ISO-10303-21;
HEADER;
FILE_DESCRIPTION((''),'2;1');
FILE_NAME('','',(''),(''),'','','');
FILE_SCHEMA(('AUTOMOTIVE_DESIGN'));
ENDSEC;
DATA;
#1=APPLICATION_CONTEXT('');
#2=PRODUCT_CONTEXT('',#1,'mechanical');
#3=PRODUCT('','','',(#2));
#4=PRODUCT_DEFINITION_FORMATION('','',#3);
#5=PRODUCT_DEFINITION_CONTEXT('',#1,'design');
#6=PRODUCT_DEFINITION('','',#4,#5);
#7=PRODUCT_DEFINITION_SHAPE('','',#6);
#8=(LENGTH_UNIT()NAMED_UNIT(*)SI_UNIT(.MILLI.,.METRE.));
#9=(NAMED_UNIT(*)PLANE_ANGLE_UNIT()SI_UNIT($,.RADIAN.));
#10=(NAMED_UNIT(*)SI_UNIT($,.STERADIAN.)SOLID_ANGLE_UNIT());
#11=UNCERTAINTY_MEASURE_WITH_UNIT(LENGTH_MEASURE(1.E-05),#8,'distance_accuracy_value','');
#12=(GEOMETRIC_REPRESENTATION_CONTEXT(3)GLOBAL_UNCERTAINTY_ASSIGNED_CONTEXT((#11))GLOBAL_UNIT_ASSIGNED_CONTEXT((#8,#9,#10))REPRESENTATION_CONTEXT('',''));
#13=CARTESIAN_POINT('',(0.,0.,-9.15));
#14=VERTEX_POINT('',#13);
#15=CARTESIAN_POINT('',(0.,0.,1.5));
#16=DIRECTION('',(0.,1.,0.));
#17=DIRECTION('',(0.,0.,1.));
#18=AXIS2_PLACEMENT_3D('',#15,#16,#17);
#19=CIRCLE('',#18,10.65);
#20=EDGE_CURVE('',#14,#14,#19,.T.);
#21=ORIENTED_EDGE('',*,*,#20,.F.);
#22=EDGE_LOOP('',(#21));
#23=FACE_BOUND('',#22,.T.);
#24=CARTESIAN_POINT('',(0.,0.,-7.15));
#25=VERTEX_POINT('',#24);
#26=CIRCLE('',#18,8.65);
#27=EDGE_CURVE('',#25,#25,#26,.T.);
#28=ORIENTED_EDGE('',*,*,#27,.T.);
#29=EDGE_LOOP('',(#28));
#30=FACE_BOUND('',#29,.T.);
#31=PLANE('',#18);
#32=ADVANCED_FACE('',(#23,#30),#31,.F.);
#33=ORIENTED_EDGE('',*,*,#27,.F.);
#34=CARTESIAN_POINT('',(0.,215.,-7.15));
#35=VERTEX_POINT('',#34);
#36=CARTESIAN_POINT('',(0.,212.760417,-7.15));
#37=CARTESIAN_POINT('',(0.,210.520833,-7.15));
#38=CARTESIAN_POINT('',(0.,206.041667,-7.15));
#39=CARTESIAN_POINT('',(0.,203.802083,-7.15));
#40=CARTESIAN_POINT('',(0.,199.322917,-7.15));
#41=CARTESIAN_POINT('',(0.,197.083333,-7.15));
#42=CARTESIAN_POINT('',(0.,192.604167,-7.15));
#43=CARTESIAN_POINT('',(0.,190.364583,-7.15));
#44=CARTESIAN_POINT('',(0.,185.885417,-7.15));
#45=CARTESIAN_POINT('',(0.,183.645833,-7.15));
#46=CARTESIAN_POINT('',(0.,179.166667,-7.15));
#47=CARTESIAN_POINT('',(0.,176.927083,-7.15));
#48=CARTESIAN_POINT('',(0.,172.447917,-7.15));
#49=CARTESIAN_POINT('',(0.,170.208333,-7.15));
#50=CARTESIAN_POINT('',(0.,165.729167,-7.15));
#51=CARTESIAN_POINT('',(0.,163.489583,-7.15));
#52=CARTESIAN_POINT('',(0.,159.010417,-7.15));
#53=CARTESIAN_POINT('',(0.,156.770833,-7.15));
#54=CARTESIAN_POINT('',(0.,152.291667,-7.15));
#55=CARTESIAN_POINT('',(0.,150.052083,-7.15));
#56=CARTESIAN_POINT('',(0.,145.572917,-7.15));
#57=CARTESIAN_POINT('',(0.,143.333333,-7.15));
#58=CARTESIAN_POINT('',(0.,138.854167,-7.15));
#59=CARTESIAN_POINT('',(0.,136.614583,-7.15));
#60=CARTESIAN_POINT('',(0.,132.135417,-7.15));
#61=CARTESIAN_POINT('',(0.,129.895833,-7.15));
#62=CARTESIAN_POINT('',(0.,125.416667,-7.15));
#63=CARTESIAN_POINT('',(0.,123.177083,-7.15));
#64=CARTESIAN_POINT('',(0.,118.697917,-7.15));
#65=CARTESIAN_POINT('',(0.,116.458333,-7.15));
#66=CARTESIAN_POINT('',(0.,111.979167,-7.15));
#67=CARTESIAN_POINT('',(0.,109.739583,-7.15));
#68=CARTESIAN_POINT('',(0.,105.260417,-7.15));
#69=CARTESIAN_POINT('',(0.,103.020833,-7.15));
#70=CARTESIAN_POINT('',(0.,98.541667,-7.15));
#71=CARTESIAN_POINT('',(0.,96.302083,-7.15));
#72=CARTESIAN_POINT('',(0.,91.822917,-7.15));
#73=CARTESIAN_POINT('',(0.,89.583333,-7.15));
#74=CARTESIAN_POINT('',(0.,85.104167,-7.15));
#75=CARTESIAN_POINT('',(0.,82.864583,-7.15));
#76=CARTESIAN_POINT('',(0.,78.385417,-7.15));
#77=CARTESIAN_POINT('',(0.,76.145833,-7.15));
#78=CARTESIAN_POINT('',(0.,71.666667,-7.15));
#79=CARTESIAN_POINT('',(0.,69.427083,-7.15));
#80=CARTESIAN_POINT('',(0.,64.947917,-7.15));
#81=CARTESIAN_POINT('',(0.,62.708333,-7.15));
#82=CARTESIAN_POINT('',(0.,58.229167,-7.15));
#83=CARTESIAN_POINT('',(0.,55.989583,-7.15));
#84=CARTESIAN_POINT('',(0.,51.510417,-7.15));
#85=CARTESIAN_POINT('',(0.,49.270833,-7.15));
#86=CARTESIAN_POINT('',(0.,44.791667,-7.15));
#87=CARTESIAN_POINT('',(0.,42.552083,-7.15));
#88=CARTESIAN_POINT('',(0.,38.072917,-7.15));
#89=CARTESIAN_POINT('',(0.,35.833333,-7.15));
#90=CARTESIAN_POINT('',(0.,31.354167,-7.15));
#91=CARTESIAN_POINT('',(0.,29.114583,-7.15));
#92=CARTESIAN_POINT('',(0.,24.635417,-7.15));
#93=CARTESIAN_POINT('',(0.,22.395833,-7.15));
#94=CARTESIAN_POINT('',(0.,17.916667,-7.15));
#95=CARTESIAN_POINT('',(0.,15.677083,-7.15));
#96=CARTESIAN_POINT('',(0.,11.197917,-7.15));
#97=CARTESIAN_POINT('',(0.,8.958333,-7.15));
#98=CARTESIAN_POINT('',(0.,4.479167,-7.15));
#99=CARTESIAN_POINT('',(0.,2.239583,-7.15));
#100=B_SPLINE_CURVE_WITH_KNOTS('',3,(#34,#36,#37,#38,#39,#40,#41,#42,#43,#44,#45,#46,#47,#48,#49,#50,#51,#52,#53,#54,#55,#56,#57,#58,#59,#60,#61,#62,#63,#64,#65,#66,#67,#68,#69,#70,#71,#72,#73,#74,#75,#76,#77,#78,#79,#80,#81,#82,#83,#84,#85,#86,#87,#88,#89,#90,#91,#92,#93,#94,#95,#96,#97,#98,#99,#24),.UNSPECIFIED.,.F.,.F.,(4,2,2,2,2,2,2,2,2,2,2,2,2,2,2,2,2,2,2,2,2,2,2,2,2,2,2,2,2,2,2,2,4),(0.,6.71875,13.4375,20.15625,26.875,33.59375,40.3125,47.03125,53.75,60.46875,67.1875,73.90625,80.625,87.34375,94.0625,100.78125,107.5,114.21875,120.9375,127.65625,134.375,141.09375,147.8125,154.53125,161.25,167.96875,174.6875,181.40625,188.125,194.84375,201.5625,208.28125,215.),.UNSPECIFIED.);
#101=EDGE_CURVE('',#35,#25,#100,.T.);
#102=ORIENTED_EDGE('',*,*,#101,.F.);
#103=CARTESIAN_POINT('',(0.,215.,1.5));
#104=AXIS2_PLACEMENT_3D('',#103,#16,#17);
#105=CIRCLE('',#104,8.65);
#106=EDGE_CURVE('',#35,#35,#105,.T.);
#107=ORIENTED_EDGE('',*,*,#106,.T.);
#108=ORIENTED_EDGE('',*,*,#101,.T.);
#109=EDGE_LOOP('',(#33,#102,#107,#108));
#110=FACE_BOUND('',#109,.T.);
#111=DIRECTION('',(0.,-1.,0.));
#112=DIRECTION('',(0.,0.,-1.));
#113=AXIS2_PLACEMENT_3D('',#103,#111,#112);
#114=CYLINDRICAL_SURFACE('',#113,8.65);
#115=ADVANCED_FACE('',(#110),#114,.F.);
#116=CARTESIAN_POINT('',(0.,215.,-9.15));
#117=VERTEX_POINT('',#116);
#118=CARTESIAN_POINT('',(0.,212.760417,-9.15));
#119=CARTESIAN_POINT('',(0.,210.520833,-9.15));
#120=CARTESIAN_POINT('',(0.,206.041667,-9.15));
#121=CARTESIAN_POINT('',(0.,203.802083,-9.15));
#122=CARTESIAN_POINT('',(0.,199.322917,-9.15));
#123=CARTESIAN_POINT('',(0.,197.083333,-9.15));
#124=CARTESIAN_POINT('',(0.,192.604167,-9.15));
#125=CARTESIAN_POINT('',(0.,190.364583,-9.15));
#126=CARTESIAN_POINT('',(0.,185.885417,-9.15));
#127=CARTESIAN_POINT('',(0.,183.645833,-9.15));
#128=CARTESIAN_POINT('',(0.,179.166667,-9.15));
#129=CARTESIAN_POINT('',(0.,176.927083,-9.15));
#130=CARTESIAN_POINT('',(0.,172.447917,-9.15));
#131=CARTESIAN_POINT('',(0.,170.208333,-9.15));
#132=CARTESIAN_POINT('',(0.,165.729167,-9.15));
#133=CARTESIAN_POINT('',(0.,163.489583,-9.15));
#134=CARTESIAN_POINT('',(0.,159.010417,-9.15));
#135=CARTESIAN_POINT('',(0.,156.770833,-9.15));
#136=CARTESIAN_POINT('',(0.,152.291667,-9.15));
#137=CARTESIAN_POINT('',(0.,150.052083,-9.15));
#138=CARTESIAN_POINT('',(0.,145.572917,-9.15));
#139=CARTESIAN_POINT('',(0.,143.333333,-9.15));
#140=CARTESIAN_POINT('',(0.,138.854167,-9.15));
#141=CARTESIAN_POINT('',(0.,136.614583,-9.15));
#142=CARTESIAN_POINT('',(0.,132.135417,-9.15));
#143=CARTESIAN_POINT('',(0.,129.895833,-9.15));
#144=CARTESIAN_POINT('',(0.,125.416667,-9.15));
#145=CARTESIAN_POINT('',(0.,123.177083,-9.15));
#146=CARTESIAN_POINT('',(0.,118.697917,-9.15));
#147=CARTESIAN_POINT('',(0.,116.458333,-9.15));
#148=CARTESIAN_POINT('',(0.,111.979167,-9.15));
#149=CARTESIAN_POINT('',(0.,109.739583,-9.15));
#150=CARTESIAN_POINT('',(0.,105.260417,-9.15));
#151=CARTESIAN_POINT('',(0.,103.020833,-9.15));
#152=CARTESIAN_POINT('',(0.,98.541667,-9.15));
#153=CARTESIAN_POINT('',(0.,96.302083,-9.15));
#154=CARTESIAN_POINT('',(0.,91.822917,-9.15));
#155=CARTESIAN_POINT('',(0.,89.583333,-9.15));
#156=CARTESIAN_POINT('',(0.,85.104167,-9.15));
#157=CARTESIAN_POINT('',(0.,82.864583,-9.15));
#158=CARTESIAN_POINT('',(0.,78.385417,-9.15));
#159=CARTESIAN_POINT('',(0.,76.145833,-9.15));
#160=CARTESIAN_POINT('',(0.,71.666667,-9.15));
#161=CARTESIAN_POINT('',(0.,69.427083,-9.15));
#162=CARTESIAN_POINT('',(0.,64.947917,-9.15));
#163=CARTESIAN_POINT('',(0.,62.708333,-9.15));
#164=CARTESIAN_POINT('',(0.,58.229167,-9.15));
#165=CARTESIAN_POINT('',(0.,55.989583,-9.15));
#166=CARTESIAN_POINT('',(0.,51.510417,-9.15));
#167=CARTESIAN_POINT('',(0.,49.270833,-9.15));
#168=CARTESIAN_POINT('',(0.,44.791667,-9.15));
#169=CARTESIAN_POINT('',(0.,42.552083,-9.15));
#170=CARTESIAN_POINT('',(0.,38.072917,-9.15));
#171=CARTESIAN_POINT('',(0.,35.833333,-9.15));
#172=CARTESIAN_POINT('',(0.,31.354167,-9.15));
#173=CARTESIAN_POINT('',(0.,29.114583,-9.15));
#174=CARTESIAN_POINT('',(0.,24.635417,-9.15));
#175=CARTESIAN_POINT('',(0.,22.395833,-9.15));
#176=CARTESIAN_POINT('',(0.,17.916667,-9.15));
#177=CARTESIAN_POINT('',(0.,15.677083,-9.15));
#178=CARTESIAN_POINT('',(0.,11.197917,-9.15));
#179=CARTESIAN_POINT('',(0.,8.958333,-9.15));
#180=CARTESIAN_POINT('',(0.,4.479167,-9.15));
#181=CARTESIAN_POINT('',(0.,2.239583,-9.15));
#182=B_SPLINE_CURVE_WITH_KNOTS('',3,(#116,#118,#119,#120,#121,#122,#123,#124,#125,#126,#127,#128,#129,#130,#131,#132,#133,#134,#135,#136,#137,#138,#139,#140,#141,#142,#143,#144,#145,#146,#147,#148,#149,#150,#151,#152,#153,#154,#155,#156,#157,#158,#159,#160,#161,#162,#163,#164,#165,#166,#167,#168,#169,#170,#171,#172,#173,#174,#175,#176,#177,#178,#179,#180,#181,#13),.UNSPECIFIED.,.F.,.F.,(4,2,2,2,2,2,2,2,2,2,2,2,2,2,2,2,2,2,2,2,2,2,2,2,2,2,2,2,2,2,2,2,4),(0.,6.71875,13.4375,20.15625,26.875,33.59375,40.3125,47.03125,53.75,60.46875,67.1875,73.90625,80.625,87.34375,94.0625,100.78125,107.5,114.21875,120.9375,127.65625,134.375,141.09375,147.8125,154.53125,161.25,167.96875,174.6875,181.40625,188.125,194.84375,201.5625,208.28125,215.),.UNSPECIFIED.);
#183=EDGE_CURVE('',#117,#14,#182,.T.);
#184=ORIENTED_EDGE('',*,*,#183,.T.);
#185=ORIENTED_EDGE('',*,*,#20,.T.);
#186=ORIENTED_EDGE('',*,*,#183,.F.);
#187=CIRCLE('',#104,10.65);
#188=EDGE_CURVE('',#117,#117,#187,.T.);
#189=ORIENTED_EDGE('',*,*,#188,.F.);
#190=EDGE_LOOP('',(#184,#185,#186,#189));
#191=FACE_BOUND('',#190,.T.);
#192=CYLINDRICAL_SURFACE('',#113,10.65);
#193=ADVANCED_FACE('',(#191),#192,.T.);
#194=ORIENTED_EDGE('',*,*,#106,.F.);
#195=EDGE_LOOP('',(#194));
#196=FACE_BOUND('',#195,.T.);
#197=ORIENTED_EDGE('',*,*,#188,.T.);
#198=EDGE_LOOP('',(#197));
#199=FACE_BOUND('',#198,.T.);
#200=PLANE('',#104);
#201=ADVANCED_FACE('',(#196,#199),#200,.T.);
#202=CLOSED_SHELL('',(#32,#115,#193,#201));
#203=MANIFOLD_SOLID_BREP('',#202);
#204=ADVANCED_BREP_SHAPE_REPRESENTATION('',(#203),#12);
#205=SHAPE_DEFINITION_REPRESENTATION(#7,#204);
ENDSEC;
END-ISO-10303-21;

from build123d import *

# Parameters (mm, degrees)
SKETCH_1_R      = 10.65
SKETCH_1_R_2    = 8.65
EXTRUDE_1_DEPTH = 215


with BuildPart() as part:
    # Эскиз1 → Бобышка-Вытянуть1 (new body)
    with BuildSketch(Plane(origin=(0, 0, 0), x_dir=(1, 0, 0), z_dir=(0, 1, 0))):
        with Locations(Location((0, -1.5, 0), (0, 0, 90))):
            Circle(SKETCH_1_R)
        with Locations(Location((0, -1.5, 0), (0, 0, 90))):
            Circle(SKETCH_1_R_2, mode=Mode.SUBTRACT)
    extrude(amount=EXTRUDE_1_DEPTH)


solid = part.part
